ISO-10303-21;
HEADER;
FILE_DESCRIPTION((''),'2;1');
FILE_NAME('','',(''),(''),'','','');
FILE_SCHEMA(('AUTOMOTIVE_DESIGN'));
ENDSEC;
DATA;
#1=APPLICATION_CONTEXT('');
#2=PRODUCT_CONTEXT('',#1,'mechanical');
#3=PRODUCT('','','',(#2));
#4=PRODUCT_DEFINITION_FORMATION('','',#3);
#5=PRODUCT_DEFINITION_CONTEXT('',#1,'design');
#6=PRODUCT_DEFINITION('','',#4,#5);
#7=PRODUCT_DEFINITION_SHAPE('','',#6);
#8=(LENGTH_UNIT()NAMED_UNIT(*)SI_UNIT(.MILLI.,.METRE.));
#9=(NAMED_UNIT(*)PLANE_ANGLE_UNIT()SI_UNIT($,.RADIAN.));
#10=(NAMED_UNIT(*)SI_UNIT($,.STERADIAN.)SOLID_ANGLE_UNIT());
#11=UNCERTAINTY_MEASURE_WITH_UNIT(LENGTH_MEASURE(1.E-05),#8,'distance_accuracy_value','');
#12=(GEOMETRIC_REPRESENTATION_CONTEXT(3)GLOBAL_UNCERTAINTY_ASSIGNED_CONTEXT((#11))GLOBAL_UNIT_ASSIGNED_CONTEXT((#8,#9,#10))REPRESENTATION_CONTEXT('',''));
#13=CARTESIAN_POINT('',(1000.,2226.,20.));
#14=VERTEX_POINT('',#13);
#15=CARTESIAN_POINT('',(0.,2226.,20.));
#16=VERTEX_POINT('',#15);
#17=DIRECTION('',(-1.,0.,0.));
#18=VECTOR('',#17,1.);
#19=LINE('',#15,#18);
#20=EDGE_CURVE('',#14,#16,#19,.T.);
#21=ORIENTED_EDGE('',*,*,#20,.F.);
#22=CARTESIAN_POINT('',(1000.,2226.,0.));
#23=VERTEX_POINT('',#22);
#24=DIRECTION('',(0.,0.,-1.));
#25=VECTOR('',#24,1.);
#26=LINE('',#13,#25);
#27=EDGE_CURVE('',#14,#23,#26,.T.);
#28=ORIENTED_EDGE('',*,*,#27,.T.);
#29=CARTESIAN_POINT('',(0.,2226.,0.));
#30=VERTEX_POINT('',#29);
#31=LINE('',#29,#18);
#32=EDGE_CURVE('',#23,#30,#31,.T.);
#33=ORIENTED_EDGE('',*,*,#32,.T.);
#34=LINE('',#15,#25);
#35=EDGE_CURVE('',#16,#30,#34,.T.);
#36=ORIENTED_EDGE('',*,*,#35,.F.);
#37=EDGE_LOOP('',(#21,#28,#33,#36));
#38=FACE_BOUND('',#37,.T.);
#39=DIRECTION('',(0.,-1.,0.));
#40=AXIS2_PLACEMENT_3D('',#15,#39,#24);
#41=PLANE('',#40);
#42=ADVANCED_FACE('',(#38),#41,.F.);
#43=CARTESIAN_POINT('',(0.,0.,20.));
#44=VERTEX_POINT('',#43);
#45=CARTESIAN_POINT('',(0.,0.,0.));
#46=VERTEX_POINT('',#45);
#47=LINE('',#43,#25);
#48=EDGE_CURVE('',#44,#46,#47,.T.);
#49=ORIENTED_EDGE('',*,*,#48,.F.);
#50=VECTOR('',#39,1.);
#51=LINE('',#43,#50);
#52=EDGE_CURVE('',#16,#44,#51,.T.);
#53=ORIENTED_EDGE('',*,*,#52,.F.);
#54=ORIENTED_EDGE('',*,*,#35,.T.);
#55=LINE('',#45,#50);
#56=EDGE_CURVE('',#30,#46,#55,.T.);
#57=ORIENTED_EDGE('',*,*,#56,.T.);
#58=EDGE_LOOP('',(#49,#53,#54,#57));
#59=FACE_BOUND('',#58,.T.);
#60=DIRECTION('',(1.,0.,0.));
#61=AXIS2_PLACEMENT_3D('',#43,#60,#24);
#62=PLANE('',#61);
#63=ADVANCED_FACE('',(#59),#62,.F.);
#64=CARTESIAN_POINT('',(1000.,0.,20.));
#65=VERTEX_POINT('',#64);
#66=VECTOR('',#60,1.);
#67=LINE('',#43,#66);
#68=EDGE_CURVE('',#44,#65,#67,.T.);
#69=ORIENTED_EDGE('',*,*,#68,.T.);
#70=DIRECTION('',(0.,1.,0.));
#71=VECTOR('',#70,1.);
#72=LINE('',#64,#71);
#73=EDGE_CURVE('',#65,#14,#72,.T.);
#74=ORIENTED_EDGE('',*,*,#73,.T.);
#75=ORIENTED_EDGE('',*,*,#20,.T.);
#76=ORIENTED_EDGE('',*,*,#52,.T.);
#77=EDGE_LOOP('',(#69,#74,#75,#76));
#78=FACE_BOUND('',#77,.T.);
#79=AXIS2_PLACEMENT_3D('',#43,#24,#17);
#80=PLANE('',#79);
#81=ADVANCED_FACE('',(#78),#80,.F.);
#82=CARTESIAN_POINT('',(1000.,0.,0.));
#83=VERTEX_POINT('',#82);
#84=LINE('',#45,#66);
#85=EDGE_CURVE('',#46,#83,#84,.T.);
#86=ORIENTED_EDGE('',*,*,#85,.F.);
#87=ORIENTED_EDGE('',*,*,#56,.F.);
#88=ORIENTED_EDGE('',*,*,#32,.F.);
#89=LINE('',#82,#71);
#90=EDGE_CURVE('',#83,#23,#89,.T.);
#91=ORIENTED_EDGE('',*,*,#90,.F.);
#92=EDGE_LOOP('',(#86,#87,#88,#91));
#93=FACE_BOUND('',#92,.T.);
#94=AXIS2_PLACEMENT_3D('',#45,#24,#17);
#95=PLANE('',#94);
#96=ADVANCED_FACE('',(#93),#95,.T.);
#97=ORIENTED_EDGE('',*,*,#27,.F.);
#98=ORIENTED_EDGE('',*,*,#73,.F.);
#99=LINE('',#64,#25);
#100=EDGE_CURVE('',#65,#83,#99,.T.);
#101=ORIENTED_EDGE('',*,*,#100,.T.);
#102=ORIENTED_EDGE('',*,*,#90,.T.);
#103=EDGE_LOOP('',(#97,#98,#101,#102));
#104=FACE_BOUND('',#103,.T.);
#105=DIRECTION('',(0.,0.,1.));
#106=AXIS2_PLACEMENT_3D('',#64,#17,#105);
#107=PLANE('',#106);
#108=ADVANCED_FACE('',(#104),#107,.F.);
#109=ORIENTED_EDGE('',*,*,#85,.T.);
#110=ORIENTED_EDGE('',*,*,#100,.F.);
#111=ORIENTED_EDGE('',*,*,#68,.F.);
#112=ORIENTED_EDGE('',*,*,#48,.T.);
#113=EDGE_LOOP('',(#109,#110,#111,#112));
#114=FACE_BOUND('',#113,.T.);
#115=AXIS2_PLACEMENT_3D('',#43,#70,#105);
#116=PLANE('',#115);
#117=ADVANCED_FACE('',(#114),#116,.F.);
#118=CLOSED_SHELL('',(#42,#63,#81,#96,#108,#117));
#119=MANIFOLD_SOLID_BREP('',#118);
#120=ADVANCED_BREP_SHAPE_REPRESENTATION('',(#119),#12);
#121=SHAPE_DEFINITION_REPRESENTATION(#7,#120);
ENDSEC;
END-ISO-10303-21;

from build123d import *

# Parameters (mm, degrees)
SKETCH_2_W      = 1000
SKETCH_2_H      = 2226
EXTRUDE_1_DEPTH = 20


with BuildPart() as part:
    # Эскиз2 → Бобышка-Вытянуть1 (new body)
    with BuildSketch(Plane.XY):
        with Locations((500, 1113)):
            Rectangle(SKETCH_2_W, SKETCH_2_H)
    extrude(amount=EXTRUDE_1_DEPTH)


solid = part.part
